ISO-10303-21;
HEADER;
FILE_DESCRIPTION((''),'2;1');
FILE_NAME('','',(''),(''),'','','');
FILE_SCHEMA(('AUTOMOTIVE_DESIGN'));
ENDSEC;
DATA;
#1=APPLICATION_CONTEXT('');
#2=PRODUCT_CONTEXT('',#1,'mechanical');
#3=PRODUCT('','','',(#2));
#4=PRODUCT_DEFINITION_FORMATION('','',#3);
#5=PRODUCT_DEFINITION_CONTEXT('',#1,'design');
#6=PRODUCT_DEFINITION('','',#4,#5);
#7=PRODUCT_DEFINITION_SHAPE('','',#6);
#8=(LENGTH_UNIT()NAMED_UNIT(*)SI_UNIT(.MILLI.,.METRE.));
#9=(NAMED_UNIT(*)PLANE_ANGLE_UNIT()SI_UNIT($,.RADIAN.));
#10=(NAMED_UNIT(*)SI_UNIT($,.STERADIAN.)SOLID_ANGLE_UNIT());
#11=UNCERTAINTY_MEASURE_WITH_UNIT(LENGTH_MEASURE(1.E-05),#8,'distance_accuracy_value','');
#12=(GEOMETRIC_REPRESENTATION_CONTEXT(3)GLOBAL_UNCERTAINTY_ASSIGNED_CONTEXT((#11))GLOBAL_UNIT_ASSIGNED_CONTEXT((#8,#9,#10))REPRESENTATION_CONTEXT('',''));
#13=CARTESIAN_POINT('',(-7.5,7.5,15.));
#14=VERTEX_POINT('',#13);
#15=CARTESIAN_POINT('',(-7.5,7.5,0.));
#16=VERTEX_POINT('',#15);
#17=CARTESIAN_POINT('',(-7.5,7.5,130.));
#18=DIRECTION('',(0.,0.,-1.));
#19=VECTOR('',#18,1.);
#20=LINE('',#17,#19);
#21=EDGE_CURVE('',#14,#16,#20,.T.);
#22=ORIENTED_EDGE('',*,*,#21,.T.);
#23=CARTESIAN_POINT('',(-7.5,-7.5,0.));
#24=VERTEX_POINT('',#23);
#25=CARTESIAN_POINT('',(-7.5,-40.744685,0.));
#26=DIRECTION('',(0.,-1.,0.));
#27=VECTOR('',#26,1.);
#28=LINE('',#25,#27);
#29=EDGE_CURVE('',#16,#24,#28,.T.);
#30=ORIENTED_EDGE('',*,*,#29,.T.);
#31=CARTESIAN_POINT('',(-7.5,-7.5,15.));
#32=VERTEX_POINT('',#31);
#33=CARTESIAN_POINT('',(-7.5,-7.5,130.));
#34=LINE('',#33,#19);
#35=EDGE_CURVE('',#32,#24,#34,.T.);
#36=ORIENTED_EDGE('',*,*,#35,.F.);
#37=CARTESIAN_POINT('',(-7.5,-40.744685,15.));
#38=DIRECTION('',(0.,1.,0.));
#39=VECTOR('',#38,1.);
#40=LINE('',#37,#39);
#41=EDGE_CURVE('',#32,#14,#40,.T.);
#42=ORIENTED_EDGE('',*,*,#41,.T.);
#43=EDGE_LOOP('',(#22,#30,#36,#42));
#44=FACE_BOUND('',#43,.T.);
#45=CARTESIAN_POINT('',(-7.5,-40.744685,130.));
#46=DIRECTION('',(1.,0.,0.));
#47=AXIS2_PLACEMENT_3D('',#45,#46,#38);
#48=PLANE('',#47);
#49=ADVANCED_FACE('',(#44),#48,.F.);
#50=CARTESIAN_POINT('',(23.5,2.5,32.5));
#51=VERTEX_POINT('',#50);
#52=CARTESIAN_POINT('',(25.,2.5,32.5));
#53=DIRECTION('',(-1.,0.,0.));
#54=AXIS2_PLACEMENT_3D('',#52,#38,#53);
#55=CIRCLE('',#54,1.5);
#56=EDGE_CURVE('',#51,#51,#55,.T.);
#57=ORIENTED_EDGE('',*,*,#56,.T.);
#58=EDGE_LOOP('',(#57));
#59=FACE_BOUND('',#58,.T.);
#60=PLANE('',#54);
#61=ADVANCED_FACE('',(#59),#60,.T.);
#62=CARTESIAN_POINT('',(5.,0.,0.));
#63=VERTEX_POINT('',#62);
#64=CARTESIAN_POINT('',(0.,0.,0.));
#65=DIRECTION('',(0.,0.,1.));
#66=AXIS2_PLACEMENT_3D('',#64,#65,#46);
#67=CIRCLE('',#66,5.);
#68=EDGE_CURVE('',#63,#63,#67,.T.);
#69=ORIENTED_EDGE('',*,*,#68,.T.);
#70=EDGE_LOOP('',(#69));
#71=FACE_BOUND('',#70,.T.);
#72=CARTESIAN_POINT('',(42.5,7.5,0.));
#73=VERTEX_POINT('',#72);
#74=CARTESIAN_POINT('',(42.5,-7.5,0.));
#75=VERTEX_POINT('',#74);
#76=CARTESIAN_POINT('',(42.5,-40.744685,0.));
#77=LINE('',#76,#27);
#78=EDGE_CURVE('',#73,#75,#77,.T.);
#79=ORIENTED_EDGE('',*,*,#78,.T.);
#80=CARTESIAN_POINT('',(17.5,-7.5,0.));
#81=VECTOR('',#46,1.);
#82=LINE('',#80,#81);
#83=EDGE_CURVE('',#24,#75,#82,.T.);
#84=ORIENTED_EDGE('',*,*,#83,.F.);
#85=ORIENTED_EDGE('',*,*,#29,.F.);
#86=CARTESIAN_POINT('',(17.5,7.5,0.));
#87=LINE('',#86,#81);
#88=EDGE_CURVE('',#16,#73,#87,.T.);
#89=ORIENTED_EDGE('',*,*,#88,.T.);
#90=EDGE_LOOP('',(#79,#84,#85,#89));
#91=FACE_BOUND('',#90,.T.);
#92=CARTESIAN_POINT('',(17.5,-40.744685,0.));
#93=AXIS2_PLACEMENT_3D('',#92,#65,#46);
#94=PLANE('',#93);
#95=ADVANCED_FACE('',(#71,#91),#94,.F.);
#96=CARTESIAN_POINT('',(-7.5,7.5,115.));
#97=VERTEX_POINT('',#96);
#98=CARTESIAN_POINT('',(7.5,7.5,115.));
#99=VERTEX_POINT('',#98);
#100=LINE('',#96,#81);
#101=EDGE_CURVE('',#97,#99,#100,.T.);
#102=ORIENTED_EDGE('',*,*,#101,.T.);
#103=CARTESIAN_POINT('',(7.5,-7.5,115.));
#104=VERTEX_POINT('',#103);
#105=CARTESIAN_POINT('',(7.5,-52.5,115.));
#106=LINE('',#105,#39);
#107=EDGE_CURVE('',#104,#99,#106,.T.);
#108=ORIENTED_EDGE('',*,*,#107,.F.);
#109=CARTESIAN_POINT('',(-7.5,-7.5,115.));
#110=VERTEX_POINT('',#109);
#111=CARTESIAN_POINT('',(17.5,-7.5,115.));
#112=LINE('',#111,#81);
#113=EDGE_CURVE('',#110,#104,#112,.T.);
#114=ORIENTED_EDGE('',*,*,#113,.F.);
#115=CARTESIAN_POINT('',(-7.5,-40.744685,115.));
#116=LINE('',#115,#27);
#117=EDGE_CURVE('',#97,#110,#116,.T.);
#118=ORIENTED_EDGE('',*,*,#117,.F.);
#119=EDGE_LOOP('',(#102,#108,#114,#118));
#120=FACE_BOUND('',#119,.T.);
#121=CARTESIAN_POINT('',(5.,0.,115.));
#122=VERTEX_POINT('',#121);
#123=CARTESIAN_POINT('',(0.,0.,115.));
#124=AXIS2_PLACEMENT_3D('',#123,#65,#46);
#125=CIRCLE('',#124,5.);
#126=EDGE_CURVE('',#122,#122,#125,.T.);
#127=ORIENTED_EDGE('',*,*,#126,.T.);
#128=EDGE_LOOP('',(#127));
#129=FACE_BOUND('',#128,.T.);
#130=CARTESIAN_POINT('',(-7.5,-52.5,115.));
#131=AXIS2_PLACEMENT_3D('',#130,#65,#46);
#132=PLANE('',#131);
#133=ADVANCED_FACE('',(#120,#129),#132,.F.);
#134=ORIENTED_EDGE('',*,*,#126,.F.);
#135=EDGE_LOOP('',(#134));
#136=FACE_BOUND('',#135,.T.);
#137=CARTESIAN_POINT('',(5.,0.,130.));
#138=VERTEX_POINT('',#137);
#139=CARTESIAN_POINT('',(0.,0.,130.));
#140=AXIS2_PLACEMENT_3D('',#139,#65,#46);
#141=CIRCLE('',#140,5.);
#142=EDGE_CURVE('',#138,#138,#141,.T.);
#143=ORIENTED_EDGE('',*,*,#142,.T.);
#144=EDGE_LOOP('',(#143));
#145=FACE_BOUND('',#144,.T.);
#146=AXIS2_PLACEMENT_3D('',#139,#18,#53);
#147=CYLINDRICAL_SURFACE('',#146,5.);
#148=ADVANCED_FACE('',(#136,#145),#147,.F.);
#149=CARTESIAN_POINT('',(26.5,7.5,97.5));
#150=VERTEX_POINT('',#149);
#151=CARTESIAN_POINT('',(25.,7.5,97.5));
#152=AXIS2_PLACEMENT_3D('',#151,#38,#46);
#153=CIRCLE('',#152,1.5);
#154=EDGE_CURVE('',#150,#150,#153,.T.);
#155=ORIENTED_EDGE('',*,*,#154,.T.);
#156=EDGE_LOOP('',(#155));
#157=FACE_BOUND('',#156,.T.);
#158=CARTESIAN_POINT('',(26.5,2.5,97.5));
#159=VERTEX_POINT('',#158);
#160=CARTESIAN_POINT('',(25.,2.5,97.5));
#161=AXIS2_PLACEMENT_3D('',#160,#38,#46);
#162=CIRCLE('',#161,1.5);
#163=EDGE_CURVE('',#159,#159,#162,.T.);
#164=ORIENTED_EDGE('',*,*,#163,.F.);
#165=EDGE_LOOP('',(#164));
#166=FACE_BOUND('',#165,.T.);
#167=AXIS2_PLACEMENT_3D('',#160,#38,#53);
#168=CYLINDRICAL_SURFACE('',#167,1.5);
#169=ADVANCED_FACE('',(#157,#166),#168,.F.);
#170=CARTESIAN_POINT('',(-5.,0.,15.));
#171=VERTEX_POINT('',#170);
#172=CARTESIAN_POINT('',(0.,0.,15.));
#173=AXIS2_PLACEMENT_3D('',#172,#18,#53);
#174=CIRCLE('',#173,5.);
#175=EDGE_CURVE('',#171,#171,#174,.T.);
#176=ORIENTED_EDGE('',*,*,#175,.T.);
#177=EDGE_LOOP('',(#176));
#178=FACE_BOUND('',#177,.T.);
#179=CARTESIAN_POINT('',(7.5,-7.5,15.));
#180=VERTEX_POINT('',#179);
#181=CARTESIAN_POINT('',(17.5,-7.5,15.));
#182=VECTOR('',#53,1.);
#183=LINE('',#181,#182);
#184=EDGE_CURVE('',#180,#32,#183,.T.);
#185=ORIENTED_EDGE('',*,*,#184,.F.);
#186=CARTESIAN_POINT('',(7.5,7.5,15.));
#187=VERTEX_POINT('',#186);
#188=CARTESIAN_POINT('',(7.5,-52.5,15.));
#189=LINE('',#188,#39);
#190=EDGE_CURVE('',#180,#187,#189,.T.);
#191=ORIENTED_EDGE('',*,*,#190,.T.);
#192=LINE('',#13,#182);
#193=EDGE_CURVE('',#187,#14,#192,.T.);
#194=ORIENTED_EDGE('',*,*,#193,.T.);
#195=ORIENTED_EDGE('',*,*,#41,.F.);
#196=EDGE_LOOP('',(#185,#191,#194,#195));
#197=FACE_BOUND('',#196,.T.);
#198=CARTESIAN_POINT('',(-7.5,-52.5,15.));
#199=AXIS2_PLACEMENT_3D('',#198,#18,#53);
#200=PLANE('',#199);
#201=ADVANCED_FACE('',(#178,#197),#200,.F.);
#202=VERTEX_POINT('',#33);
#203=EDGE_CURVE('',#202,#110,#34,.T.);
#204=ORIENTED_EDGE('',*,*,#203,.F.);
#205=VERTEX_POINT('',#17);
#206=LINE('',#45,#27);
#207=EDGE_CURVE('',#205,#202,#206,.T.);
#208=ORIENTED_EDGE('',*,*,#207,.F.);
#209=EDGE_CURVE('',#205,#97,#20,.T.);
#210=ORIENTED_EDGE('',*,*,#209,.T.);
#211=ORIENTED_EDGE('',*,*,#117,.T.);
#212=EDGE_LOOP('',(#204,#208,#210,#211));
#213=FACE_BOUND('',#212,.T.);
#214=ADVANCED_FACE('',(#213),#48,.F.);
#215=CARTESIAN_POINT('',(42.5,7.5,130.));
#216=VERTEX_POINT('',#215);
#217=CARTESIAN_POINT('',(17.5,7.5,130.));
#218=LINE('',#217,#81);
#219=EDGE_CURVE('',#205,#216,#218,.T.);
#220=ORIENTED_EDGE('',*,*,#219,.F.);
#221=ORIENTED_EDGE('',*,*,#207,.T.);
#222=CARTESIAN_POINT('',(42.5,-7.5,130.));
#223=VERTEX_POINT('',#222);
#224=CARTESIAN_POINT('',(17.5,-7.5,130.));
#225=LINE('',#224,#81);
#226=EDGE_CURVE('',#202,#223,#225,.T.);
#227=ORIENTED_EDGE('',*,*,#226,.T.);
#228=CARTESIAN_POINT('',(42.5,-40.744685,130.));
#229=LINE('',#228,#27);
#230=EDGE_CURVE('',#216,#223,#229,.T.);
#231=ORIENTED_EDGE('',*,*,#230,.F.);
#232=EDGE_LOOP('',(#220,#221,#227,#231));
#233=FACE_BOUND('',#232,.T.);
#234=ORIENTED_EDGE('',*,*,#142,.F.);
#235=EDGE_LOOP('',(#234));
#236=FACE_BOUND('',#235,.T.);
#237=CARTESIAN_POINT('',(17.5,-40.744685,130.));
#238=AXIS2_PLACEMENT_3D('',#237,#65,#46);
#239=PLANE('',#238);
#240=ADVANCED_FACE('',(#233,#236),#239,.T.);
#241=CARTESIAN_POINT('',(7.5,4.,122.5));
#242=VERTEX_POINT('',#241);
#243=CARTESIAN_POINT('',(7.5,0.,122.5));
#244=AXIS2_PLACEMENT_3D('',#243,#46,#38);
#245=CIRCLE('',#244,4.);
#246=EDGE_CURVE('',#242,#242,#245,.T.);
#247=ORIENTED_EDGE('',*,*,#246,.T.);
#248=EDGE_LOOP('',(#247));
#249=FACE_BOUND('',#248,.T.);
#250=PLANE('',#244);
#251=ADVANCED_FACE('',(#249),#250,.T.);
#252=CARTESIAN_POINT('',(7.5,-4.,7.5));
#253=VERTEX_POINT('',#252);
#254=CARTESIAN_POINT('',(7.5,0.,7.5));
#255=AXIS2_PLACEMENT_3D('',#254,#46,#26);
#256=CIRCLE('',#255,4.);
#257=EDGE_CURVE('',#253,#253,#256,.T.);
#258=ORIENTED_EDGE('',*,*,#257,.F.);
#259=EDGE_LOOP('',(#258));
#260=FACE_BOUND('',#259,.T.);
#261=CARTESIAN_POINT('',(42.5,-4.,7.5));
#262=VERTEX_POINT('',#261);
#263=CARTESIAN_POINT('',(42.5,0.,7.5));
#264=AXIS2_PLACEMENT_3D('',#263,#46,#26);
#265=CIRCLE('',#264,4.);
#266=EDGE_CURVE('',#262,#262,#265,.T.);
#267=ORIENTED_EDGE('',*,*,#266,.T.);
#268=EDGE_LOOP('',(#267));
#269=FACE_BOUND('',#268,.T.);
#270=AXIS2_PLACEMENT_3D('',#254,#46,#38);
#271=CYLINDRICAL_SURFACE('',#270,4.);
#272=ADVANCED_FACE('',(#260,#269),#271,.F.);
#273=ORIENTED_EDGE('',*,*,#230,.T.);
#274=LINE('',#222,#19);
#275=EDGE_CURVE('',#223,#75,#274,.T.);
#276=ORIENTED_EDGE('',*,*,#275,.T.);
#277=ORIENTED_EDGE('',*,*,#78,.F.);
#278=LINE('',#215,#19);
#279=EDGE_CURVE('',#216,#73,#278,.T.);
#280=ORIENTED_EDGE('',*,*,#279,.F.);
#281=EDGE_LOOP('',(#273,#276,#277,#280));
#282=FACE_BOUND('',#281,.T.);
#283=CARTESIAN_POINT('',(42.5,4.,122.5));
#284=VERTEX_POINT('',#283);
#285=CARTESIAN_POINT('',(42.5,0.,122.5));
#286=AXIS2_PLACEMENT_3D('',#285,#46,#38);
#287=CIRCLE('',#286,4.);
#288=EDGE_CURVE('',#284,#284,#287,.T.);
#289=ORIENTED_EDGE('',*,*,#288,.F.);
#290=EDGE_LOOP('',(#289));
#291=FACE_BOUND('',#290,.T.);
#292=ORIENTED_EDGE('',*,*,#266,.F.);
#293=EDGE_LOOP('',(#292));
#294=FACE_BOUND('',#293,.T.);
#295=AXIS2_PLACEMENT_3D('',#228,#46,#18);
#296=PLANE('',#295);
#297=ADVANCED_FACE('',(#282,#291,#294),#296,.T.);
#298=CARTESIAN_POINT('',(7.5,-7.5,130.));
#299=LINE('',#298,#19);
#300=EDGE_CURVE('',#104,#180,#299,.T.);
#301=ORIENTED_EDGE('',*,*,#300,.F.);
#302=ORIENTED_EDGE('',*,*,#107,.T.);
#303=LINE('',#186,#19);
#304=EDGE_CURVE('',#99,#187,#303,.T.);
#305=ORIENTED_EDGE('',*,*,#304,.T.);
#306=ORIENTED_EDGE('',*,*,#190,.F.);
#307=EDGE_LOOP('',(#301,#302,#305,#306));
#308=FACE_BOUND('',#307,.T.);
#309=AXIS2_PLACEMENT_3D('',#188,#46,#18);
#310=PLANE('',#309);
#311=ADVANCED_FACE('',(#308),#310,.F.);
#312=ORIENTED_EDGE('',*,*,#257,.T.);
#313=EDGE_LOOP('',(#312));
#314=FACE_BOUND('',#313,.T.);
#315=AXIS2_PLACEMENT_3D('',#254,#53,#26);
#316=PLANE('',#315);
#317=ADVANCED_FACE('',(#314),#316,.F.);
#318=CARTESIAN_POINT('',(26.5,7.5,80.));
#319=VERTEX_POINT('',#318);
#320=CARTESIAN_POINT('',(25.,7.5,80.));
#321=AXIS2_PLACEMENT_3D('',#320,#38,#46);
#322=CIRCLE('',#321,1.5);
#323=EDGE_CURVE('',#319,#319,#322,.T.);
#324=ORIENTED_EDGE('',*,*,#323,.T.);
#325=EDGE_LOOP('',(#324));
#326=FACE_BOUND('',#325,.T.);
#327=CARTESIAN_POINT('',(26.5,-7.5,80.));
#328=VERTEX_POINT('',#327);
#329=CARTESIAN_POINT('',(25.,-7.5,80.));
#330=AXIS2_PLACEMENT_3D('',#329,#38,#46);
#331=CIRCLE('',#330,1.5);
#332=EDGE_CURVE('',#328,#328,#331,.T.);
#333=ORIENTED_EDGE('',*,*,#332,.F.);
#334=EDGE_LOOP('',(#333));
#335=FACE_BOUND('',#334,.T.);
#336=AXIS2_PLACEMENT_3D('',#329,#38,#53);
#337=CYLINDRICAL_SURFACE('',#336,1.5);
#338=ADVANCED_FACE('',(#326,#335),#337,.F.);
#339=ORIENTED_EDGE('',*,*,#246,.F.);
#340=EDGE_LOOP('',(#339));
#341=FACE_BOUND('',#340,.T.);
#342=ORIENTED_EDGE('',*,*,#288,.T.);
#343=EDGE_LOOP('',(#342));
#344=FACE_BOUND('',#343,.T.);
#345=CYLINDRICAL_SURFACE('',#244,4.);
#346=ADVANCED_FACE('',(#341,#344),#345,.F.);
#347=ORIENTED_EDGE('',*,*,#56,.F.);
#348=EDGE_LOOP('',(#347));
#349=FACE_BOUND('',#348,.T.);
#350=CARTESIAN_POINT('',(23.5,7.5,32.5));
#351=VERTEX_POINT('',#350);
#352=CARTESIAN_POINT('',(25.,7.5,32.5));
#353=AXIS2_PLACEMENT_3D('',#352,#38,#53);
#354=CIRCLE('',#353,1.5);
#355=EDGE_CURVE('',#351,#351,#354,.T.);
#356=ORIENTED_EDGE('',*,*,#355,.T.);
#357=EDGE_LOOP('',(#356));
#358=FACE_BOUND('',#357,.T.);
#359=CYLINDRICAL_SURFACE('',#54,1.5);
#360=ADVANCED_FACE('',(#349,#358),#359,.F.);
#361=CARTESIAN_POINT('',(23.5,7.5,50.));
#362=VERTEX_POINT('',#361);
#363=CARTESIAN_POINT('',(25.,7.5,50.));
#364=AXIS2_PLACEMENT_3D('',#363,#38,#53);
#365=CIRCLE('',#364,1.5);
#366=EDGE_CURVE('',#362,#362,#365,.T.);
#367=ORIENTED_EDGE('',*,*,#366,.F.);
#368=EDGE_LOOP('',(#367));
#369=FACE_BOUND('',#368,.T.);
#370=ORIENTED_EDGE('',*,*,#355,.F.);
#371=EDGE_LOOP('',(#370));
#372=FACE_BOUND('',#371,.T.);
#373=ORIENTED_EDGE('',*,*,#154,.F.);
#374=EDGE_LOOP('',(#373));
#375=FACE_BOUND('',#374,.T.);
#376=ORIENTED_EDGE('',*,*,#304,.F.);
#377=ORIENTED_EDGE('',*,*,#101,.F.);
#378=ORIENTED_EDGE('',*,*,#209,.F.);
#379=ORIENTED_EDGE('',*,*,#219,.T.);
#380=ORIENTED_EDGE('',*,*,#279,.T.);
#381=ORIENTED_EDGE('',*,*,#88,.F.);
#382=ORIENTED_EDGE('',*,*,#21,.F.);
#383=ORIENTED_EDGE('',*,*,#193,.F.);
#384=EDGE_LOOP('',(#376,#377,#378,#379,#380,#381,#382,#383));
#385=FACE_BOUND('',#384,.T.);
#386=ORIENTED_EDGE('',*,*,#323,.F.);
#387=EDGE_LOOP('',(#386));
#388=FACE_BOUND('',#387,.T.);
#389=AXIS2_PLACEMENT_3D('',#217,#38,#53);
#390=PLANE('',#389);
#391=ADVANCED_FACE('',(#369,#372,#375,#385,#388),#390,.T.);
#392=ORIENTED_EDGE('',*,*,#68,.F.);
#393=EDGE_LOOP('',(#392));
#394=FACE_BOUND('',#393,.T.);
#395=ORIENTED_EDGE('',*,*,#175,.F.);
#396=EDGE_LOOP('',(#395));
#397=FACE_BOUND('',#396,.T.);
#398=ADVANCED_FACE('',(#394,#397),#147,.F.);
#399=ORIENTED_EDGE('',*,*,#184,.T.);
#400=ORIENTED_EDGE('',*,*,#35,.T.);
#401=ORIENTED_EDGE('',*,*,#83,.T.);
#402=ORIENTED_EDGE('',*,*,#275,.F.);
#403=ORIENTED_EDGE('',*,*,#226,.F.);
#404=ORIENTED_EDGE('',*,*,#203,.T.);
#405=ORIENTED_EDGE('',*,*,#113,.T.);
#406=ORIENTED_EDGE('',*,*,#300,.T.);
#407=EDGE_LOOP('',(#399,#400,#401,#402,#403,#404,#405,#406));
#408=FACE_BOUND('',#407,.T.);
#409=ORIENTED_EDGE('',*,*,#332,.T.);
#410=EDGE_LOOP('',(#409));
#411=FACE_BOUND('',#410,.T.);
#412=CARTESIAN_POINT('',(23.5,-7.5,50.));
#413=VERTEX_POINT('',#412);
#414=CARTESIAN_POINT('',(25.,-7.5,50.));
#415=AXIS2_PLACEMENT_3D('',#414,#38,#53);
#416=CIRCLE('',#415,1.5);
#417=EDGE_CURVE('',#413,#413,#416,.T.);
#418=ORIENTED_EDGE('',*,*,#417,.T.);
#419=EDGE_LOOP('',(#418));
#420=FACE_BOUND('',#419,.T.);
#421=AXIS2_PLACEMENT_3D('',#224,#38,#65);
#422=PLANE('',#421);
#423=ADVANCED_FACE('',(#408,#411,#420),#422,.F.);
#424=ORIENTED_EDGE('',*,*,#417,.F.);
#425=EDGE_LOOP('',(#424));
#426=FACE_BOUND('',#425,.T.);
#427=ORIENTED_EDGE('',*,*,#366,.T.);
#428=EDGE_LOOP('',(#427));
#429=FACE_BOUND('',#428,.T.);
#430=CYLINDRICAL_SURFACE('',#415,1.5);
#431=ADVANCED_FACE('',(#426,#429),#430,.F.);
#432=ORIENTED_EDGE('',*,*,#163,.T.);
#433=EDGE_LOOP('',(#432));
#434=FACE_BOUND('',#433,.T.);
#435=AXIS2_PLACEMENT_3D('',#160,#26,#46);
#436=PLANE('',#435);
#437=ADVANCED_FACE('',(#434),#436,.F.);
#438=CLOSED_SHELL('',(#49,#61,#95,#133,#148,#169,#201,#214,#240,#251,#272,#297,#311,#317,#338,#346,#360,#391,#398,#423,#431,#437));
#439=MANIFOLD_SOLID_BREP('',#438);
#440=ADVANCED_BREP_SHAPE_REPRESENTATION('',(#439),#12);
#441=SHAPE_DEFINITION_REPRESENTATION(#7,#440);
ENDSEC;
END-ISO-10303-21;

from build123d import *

# Parameters (mm, degrees)
ESQUISSE1_W             = 15
ESQUISSE1_H             = 15
ESQUISSE1_R             = 5
ESQUISSE1_W_2           = 35
BOSS_EXTRU_1_DEPTH      = 130
ESQUISSE2_W             = 15
ESQUISSE2_H             = 100
ENL_V_MAT_EXTRU_1_DEPTH = 60
ESQUISSE3_R             = 4
ENL_V_MAT_EXTRU_2_DEPTH = 35
ESQUISSE4_R             = 1.5
ENL_V_MAT_EXTRU_3_DEPTH = 5
ESQUISSE5_R             = 1.5
ENL_V_MAT_EXTRU_4_DEPTH = 15


with BuildPart() as part:
    # Esquisse1 → Boss.-Extru.1 (new body)
    with BuildSketch(Plane.XY):
        Rectangle(ESQUISSE1_W, ESQUISSE1_H)
        Circle(ESQUISSE1_R, mode=Mode.SUBTRACT)
        with Locations((25, 0)):
            Rectangle(ESQUISSE1_W_2, ESQUISSE1_H)
    extrude(amount=BOSS_EXTRU_1_DEPTH)

    # Esquisse2 → Enlèv. mat.-Extru.1 (cut)
    with BuildSketch(Plane(origin=(0, 7.5, 0), x_dir=(1, 0, 0), z_dir=(0, 1, 0))):
        with Locations((0, -65)):
            Rectangle(ESQUISSE2_W, ESQUISSE2_H)
    extrude(amount=-ENL_V_MAT_EXTRU_1_DEPTH, mode=Mode.SUBTRACT)

    # Esquisse3 → Enlèv. mat.-Extru.2 (cut)
    with BuildSketch(Plane(origin=(42.5, 0, 0), x_dir=(0, 0, -1), z_dir=(1, 0, 0))):
        with Locations((-122.5, 0)):
            Circle(ESQUISSE3_R)
        with Locations((-7.5, 0)):
            Circle(ESQUISSE3_R)
    extrude(amount=-ENL_V_MAT_EXTRU_2_DEPTH, mode=Mode.SUBTRACT)

    # Esquisse4 → Enlèv. mat.-Extru.3 (cut)
    with BuildSketch(Plane(origin=(0, 7.5, 0), x_dir=(1, 0, 0), z_dir=(0, 1, 0))):
        with Locations((25, -32.5)):
            Circle(ESQUISSE4_R)
        with Locations((25, -97.5)):
            Circle(ESQUISSE4_R)
    extrude(amount=-ENL_V_MAT_EXTRU_3_DEPTH, mode=Mode.SUBTRACT)

    # Esquisse5 → Enlèv. mat.-Extru.4 (cut)
    with BuildSketch(Plane(origin=(0, 7.5, 0), x_dir=(1, 0, 0), z_dir=(0, 1, 0))):
        with Locations((25, -50)):
            Circle(ESQUISSE5_R)
        with Locations((25, -80)):
            Circle(ESQUISSE5_R)
    extrude(amount=-ENL_V_MAT_EXTRU_4_DEPTH, mode=Mode.SUBTRACT)


solid = part.part
